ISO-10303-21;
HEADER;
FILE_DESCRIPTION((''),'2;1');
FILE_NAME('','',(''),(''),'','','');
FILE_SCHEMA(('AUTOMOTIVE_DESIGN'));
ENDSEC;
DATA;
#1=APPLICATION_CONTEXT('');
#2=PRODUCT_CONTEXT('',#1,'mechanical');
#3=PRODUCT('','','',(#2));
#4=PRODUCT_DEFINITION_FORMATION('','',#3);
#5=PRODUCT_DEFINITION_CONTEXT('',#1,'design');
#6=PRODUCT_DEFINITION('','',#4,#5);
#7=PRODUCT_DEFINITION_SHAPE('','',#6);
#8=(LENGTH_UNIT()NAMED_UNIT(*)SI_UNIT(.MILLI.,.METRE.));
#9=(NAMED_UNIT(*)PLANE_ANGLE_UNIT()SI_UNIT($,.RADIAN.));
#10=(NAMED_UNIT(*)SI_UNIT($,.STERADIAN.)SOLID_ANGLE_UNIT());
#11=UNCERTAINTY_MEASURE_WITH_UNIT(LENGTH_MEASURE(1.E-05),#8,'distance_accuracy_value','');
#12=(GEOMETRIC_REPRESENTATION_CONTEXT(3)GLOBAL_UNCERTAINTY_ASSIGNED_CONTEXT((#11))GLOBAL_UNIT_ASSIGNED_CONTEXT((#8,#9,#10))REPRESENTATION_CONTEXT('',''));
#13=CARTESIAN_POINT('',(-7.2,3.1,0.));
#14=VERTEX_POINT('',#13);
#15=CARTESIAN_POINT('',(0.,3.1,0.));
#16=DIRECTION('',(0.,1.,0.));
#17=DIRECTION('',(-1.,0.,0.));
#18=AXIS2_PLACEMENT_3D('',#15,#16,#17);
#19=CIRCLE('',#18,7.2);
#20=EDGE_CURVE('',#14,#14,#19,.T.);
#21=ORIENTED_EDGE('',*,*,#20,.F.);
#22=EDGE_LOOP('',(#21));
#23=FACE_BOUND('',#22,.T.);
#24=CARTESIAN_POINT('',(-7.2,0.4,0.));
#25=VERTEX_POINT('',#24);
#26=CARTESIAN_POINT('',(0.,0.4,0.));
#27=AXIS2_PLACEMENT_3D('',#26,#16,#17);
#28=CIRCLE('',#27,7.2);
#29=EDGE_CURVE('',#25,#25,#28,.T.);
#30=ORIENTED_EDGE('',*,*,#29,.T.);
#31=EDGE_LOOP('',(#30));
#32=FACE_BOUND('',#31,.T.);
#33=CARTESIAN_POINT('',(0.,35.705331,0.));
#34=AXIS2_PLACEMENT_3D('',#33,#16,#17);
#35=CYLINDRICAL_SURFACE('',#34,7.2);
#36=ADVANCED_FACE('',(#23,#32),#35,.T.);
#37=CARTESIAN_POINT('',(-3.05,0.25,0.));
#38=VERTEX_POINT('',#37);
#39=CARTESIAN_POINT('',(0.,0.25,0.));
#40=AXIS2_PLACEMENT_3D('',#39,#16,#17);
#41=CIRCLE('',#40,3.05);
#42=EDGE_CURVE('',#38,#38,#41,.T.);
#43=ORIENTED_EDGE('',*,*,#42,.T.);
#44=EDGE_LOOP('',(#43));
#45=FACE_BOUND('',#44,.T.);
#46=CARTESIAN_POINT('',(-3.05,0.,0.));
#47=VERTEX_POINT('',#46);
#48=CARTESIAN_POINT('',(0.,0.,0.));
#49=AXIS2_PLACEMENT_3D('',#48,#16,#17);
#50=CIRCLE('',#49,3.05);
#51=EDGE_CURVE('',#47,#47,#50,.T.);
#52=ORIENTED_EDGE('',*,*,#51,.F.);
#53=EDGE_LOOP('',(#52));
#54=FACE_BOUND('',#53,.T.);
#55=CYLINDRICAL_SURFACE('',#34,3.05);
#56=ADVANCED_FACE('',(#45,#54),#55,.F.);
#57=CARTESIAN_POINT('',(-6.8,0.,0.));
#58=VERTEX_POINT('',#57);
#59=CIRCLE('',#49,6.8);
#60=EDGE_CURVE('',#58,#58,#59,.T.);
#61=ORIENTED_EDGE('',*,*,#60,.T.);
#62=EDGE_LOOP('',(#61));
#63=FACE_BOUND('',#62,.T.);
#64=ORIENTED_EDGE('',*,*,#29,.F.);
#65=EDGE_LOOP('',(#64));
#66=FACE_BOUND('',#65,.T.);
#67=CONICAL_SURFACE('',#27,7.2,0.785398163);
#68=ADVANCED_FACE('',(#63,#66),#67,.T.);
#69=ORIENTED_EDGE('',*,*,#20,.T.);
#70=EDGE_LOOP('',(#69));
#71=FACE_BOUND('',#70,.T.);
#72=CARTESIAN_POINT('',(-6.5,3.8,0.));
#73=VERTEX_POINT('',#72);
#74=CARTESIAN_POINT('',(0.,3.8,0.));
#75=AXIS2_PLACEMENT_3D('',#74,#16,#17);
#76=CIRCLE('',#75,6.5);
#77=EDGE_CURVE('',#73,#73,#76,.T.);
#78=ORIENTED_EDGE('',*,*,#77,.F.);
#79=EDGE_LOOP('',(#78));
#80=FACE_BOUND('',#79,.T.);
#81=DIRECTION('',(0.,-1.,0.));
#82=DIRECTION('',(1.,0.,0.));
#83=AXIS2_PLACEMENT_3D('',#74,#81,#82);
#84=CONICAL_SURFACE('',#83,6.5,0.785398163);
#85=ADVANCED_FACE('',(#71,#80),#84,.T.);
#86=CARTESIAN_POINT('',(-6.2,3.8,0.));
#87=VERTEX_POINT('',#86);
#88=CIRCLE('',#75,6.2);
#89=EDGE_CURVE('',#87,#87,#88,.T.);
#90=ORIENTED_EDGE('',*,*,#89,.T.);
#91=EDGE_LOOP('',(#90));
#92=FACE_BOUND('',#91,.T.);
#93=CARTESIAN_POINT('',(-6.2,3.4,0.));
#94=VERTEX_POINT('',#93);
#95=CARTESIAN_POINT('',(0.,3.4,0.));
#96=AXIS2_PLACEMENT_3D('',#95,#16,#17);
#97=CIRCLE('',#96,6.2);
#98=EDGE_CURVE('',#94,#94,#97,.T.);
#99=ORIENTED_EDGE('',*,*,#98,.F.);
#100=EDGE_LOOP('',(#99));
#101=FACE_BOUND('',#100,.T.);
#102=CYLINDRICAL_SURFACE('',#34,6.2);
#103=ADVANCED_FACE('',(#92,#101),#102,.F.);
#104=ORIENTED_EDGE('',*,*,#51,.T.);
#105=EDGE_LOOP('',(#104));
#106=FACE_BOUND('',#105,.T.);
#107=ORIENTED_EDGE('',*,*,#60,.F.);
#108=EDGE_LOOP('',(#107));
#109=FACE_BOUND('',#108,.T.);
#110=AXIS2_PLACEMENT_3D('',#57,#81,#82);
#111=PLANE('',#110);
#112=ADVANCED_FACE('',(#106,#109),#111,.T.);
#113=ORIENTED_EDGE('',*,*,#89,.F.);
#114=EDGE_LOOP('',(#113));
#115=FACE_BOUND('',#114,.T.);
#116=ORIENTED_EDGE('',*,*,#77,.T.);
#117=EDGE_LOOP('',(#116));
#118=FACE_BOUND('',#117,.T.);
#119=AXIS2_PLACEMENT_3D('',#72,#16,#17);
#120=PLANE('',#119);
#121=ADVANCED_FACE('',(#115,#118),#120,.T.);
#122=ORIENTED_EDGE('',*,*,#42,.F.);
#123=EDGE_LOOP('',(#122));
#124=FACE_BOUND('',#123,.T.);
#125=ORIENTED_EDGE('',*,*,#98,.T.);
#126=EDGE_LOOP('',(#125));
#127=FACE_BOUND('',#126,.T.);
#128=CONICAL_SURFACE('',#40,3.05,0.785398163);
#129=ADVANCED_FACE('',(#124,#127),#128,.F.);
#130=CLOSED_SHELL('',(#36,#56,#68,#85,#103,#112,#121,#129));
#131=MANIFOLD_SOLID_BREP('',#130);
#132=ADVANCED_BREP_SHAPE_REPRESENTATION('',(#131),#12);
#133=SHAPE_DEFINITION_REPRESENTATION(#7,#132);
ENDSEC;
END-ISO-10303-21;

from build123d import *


with BuildPart() as part:
    # Sketch1 → Revolve1 (revolve)
    with BuildSketch(Plane.XY):
        Polygon((-6.8, 0), (-3.05, 0), (-3.05, 0.25), (-6.2, 3.4), (-6.2, 3.8), (-6.5, 3.8), (-7.2, 3.1), (-7.2, 0.4), align=None)
    revolve(axis=Axis((0, 35.705330925, 0), (0, -1, 0)))


solid = part.part
